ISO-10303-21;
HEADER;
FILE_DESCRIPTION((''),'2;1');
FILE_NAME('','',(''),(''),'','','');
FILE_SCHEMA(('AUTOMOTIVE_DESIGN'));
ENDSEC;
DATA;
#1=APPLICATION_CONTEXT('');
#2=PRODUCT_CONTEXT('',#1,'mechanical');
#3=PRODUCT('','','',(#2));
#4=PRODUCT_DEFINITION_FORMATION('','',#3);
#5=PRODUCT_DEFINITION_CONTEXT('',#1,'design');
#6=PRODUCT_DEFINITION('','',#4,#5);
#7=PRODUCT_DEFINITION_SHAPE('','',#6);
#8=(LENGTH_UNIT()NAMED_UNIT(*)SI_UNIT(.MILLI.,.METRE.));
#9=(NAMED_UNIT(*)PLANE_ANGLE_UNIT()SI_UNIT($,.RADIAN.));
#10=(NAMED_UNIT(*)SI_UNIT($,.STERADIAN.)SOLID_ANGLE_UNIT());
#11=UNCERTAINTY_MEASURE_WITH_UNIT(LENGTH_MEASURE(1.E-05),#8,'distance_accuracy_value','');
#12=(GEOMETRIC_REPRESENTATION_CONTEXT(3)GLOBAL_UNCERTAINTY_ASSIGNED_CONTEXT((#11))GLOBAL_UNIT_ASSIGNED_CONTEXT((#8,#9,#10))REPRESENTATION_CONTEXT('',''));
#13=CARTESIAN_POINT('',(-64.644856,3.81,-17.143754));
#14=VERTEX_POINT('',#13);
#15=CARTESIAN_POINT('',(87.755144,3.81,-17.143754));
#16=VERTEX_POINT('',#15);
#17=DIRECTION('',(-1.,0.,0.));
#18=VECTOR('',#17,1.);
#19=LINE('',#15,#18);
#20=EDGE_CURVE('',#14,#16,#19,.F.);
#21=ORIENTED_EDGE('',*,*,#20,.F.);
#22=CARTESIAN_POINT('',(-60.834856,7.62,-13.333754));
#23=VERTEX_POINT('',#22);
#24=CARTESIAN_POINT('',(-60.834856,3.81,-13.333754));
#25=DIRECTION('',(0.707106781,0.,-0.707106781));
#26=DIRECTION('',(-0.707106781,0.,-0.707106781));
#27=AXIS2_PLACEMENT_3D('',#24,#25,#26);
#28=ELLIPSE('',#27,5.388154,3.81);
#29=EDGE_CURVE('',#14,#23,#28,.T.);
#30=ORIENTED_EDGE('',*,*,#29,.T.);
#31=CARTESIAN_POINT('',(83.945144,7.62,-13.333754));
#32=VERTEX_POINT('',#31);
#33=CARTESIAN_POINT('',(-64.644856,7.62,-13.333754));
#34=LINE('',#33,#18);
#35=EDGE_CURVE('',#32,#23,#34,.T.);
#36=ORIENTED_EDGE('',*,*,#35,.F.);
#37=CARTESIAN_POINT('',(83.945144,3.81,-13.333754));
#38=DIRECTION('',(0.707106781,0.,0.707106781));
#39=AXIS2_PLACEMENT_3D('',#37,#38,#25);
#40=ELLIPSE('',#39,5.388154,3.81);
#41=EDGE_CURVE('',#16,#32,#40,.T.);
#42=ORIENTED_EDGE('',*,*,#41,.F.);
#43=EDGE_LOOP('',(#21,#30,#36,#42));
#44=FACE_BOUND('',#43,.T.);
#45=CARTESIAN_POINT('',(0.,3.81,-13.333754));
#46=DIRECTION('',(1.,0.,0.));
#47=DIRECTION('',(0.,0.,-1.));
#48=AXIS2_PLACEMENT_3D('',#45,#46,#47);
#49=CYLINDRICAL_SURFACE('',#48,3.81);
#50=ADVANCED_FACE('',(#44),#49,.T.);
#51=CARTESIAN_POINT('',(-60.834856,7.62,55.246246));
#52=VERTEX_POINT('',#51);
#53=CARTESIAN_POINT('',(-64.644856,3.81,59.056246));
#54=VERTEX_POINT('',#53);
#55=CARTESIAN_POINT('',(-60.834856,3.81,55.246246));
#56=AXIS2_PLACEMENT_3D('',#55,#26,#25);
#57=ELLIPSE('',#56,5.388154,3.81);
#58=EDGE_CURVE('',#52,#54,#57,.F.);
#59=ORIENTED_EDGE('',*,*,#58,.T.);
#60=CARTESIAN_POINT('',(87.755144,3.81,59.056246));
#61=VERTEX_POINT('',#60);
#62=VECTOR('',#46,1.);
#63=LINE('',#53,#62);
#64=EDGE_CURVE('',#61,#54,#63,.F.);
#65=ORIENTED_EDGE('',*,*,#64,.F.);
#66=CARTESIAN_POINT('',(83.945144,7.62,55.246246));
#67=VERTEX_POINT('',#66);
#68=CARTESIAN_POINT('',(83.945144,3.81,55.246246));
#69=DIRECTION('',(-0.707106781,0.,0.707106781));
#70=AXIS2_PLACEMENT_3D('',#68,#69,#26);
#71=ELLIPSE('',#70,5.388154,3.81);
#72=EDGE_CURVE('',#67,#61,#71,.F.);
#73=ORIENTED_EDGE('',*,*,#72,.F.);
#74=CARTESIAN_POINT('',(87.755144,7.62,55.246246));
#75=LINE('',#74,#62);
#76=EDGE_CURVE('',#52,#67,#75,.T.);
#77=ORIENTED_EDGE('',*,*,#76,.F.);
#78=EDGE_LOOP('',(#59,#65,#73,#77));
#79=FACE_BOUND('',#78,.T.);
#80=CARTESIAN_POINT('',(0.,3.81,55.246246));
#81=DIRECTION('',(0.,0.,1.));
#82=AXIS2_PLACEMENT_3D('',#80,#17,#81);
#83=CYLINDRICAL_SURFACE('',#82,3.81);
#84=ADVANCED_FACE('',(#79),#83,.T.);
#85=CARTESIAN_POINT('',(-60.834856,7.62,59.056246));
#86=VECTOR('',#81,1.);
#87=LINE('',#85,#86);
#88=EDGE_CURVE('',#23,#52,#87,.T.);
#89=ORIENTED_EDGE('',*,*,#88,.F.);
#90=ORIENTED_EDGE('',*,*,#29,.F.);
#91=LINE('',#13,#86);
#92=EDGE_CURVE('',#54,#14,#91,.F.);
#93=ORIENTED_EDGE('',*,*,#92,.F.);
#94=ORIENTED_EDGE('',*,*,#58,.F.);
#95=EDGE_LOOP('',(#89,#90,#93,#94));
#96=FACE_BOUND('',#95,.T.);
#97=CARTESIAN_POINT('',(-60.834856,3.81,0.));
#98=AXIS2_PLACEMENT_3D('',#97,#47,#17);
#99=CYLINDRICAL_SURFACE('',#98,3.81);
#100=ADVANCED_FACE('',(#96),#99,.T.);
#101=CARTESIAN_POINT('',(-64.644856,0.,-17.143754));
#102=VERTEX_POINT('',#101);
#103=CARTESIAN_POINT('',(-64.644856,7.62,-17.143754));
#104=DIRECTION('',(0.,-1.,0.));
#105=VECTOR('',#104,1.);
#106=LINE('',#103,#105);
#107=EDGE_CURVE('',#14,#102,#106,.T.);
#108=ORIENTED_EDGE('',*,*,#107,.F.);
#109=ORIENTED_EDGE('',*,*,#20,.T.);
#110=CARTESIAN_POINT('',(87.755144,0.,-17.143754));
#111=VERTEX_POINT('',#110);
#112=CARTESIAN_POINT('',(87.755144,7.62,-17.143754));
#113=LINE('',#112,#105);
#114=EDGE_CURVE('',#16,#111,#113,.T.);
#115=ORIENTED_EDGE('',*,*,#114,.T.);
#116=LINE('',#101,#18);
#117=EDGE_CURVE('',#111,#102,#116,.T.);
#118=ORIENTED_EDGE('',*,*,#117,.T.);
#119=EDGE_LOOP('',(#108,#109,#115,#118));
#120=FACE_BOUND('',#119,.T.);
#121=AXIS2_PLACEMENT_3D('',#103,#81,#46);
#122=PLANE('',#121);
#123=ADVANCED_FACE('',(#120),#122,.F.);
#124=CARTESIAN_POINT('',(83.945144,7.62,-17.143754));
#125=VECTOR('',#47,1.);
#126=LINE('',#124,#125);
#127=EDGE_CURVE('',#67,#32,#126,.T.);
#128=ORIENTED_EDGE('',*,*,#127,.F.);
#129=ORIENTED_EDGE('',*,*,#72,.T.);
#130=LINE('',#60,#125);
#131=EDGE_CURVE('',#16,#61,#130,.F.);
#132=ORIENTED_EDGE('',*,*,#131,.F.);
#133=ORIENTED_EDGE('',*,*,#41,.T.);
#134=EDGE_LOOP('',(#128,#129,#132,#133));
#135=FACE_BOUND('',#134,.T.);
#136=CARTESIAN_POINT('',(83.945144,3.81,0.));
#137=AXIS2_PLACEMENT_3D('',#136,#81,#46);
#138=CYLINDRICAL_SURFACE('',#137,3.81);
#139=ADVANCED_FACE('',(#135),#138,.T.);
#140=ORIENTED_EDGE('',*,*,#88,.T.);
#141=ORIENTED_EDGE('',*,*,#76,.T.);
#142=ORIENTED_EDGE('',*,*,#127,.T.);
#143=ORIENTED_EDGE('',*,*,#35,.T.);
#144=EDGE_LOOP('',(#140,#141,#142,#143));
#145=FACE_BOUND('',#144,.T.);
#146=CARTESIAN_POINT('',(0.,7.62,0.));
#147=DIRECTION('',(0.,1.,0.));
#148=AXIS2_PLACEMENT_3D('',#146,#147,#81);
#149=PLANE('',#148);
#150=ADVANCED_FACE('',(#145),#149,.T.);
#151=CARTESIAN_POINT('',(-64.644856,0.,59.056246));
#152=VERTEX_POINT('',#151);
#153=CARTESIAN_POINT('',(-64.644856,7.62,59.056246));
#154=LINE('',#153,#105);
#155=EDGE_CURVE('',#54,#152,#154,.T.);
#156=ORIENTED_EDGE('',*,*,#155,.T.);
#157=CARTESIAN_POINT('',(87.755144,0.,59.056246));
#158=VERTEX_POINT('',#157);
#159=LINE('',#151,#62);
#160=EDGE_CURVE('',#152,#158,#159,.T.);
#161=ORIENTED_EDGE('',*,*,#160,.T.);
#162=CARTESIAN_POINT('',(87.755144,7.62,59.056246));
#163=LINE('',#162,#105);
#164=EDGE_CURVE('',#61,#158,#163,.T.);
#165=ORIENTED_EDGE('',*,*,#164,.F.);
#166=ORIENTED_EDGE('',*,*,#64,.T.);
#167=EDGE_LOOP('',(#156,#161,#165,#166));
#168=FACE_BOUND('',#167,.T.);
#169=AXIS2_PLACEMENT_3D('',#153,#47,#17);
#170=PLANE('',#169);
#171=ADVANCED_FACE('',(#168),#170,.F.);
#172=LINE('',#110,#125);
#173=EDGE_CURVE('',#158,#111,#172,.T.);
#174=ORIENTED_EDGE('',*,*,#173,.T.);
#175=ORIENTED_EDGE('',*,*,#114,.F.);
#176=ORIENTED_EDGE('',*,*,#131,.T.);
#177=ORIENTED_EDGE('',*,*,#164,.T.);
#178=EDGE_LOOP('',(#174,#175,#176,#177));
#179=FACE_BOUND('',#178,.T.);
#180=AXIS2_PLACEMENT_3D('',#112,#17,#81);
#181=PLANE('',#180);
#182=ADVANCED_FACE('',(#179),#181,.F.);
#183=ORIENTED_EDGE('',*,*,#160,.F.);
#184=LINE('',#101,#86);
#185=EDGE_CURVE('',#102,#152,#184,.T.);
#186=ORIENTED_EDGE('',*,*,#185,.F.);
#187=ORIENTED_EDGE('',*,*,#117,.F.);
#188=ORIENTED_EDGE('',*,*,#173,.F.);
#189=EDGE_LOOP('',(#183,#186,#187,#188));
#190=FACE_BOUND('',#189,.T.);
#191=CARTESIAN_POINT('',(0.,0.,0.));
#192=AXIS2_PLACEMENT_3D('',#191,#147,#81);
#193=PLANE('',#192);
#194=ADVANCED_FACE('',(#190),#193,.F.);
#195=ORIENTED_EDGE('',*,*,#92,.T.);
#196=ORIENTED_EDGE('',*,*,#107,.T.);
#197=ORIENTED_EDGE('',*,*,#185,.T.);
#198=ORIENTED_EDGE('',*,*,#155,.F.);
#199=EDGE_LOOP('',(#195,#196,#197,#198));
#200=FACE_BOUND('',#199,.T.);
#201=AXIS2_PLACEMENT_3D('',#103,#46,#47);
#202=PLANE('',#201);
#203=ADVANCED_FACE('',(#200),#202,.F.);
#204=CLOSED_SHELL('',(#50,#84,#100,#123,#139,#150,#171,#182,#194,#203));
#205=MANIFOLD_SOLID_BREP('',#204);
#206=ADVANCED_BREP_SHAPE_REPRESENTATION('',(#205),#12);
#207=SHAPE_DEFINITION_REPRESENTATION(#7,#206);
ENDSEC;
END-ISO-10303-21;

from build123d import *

# Parameters (mm, degrees)
SKETCH1_W           = 152.4
SKETCH1_H           = 76.2
BOSS_EXTRUDE1_DEPTH = 7.62
FILLET1_R           = 3.81


with BuildPart() as part:
    # Sketch1 → Boss-Extrude1 (new body)
    with BuildSketch(Plane(origin=(0, 0, 0), x_dir=(1, 0, 0), z_dir=(0, 1, 0))):
        with Locations((11.555143613, -20.956245985)):
            Rectangle(SKETCH1_W, SKETCH1_H)
    extrude(amount=BOSS_EXTRUDE1_DEPTH)

    # Fillet1
    fillet1_edges = [part.edges().sort_by_distance(p)[0] for p in [
        (87.755143613, 7.62, 20.956245985),
        (11.555143613, 7.62, -17.143754015),
        (-64.644856387, 7.62, 20.956245985),
        (11.555143613, 7.62, 59.056245985),
    ]]
    fillet(fillet1_edges, radius=FILLET1_R)


solid = part.part
